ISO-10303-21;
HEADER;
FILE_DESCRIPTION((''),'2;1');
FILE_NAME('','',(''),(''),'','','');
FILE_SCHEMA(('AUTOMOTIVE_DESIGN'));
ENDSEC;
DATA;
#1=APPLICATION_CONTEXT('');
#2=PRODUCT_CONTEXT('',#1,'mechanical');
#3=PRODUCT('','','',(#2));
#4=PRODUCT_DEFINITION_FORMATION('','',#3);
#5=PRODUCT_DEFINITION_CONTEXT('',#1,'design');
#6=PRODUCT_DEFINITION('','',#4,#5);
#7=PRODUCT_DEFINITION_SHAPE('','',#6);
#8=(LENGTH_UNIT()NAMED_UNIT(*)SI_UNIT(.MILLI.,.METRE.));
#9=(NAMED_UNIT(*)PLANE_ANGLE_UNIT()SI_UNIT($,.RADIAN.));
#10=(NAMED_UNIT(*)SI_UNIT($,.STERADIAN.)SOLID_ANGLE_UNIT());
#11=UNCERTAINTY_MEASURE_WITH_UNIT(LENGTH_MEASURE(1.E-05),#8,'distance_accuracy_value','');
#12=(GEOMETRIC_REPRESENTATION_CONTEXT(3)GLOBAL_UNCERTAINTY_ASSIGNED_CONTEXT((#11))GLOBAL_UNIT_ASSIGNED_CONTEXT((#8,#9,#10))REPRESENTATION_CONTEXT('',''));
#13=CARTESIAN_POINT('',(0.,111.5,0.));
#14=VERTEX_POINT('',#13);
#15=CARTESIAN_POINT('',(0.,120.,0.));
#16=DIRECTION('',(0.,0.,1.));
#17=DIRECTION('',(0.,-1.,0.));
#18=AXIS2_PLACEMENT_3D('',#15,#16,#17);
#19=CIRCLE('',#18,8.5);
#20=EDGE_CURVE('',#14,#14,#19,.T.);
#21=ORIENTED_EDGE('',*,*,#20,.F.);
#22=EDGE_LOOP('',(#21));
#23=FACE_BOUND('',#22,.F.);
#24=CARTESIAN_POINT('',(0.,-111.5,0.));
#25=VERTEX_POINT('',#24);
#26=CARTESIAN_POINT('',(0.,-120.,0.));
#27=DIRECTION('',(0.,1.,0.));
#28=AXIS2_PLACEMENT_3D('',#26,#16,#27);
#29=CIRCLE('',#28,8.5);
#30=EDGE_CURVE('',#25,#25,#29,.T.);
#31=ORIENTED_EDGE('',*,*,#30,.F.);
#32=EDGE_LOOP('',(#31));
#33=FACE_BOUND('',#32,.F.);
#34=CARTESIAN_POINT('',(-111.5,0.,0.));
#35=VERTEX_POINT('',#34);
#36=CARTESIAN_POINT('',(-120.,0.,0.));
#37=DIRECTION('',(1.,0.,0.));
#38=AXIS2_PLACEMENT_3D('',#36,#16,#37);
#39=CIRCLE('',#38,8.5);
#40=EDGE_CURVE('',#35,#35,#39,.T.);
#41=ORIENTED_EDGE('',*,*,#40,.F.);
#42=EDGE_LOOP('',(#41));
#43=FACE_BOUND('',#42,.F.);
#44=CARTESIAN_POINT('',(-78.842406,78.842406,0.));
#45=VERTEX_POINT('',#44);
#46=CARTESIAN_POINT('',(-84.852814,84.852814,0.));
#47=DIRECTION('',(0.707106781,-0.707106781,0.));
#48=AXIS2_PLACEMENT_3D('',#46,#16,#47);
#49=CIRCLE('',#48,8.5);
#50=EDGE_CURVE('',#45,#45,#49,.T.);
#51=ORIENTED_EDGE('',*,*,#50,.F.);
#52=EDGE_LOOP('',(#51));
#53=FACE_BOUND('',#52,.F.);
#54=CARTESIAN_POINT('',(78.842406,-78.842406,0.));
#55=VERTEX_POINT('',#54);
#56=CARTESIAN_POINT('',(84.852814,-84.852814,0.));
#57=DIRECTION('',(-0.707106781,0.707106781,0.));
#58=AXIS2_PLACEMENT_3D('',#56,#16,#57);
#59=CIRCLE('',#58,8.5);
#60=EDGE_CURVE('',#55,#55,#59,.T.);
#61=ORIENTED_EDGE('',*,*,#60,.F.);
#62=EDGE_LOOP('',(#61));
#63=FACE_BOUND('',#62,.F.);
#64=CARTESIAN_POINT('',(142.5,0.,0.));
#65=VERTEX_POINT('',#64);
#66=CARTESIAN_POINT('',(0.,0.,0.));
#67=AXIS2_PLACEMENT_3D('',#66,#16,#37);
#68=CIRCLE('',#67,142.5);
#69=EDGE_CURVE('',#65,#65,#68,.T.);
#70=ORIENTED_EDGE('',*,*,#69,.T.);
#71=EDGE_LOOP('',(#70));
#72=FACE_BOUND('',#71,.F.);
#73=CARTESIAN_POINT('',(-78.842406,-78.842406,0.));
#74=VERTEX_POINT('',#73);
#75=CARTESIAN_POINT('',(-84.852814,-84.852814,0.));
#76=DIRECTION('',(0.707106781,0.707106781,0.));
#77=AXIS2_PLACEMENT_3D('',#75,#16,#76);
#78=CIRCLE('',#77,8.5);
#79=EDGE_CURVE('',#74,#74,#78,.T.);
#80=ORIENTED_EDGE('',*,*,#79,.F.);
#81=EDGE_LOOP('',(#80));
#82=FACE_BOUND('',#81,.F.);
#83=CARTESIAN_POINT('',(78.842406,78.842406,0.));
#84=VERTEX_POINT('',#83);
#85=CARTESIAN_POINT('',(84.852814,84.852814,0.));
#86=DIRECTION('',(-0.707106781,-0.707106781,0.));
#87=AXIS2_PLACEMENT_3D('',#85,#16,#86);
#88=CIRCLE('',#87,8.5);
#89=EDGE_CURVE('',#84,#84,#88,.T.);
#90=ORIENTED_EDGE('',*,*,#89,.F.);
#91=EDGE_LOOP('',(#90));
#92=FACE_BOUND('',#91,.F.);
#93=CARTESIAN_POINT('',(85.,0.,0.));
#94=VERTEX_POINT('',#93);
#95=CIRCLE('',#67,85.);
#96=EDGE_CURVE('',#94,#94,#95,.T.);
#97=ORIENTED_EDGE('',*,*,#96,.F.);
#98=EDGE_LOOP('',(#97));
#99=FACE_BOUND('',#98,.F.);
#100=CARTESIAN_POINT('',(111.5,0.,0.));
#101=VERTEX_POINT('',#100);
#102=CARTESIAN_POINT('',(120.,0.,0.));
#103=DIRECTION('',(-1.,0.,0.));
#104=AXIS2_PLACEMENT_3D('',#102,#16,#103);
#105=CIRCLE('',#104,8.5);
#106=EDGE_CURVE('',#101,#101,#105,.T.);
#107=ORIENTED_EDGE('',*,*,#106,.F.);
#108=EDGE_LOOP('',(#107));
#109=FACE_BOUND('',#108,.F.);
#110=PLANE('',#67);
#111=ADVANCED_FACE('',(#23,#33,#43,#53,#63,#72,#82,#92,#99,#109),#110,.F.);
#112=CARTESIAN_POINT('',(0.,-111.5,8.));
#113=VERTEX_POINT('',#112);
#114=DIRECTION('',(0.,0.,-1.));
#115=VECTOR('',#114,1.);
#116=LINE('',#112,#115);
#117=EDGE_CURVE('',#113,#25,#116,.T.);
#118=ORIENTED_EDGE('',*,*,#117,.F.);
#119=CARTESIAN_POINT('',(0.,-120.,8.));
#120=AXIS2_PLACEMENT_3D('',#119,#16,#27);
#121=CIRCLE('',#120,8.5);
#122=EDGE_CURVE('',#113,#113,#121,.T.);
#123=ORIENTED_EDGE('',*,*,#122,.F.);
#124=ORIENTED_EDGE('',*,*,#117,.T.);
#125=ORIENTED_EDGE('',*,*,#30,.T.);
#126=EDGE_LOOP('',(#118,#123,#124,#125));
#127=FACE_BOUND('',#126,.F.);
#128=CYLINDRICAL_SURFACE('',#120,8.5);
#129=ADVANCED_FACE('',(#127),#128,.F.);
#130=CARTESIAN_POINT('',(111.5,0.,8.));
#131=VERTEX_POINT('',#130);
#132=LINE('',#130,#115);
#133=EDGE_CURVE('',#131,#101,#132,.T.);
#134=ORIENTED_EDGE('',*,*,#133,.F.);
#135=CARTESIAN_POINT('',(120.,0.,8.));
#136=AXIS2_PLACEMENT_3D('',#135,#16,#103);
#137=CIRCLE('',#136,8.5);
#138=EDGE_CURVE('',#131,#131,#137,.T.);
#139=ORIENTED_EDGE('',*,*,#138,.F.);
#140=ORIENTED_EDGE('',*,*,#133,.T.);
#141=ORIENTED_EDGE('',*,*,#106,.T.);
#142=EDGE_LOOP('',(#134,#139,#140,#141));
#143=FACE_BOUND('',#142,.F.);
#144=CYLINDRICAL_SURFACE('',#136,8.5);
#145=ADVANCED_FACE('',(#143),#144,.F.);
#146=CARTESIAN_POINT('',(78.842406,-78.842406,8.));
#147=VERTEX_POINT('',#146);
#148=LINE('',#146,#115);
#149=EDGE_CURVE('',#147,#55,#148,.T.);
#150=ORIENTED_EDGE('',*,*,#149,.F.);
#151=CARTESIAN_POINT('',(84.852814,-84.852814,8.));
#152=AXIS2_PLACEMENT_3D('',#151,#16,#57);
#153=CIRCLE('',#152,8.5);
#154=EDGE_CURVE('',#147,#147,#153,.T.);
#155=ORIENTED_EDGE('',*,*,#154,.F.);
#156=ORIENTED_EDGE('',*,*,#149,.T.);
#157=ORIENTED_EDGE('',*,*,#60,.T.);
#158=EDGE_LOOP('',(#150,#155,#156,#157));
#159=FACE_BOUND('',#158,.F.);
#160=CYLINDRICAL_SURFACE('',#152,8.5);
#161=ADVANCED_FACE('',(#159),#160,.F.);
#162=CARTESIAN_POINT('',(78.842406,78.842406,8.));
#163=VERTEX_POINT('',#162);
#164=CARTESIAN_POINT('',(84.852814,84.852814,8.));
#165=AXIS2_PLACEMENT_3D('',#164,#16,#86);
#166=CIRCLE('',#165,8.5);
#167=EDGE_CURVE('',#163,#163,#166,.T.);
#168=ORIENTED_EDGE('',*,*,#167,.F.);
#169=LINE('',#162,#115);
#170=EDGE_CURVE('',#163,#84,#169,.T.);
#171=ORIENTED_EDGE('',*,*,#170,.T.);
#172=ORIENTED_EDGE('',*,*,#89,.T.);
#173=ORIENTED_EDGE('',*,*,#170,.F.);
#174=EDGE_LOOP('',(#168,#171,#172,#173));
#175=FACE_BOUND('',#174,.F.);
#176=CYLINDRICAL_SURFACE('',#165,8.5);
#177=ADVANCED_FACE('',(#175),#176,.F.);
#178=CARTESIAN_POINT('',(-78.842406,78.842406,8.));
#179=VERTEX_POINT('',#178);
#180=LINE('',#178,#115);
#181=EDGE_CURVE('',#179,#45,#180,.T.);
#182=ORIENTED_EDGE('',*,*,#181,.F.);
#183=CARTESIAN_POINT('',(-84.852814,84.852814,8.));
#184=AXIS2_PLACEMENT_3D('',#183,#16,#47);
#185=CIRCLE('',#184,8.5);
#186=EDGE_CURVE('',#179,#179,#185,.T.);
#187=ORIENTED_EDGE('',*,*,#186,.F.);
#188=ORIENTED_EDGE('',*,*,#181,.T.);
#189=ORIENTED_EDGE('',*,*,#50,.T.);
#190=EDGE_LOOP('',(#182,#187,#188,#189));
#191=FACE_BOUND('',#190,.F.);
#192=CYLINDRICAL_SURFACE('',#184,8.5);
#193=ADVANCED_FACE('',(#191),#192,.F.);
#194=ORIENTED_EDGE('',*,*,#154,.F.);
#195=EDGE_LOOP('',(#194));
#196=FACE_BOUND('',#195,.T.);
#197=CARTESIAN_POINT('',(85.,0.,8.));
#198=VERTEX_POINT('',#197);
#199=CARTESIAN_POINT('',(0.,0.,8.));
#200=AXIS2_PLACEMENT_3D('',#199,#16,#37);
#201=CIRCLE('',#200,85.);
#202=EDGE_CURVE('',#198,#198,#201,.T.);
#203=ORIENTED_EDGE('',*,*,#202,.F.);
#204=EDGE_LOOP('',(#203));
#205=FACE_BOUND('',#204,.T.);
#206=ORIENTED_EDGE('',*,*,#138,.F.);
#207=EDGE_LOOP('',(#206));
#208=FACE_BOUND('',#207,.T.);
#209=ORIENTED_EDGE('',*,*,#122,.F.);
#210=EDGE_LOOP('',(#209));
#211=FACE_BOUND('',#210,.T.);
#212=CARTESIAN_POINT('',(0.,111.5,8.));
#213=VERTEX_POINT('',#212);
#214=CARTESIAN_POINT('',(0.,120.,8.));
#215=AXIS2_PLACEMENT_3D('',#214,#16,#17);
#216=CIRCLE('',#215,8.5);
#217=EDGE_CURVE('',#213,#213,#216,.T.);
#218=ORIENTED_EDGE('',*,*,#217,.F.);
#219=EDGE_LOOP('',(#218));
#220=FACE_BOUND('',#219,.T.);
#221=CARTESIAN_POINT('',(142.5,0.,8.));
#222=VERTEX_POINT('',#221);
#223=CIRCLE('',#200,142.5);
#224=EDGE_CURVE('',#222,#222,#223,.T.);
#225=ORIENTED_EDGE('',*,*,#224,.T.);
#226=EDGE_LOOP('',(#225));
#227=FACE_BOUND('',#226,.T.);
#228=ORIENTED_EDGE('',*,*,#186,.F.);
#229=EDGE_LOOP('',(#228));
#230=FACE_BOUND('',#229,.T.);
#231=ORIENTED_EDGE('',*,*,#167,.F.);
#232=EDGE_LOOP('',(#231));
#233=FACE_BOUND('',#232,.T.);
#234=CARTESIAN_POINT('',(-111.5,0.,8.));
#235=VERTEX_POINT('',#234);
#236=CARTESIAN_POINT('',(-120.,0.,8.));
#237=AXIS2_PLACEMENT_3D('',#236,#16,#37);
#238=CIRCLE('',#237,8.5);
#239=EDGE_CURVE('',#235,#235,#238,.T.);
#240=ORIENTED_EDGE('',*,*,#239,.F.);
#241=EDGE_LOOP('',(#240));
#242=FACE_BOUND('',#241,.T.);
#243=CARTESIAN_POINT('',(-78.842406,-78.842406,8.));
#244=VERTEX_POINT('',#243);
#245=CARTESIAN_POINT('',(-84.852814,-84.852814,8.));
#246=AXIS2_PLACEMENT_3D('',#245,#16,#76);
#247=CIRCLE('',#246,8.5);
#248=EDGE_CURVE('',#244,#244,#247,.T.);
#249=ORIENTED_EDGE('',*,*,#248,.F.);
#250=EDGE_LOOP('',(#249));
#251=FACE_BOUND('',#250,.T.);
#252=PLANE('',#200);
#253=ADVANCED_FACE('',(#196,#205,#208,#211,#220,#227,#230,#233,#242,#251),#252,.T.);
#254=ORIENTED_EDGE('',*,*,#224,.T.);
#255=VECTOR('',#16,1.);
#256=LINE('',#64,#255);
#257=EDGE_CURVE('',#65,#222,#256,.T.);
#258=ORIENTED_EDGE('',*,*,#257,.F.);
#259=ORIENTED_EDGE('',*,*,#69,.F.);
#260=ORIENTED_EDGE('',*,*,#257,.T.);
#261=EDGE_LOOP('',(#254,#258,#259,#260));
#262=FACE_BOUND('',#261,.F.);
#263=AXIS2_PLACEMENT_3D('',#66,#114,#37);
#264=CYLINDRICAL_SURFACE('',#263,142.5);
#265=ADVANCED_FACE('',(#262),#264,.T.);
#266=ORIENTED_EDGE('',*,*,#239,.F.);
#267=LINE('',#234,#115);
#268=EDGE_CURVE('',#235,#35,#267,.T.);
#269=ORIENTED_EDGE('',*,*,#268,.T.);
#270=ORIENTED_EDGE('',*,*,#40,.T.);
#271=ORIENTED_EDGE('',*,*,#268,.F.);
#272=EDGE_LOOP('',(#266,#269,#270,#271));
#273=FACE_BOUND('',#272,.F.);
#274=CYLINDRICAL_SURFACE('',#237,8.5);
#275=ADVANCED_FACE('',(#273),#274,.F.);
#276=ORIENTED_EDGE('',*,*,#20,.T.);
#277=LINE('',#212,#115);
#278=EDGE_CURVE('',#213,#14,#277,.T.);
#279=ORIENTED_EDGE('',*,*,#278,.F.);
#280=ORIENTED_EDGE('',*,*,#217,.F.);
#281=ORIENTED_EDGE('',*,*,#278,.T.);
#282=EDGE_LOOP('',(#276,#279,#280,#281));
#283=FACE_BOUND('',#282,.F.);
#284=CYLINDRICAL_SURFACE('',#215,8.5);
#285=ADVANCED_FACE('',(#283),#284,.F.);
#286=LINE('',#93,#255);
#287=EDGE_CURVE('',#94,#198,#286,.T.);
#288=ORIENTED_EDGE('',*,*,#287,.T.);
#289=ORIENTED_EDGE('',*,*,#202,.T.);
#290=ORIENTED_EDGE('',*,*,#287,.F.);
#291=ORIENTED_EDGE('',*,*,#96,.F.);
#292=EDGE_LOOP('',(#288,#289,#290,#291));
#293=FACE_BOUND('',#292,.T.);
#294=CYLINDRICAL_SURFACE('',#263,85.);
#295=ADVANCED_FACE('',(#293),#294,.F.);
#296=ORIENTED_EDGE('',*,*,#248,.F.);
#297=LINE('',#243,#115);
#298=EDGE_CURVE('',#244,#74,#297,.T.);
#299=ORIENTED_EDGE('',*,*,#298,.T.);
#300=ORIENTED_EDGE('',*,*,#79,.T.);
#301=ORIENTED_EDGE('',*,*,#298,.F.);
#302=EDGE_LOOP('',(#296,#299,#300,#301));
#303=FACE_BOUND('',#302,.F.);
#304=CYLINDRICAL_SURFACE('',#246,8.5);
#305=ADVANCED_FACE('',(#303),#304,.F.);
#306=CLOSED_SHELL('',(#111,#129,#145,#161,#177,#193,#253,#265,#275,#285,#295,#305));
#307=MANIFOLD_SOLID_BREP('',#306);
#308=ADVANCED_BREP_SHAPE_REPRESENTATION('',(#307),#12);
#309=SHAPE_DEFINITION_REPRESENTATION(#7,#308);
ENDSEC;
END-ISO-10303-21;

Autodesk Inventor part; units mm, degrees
ref_plane "YZ Plane" through (0, 0, 0) normal (1, 0, 0) x (0, 1, 0)
ref_plane "XZ Plane" through (0, 0, 0) normal (0, 1, 0) x (-1, 0, 0)
ref_plane "XY Plane" through (0, 0, 0) normal (0, 0, 1) x (1, 0, 0)
sketch "Sketch2" plane through (0, 0, 0) normal (0, 0, 1) x (1, 0, 0)
  circle A0 centre (0, 0) radius 85
  circle A1 centre (0, 0) radius 142.5
  dimension "d25" = 170
  dimension "d27" = 285
extrude "Plate2" add sketch "Sketch2" along normal blind 8
sketch "Sketch3" plane through (0, 0, 8) normal (0, 0, 1) x (1, 0, 0)
  circle A0 centre (-120, 0) radius 8.5
  circle A1 centre (0, 0) radius 120 construction
  dimension "d28" = 240
  dimension "d15" = 17
extrude "Cut1" cut sketch "Sketch3" against normal blind 8
pattern_circular "Circular Pattern1" count 8 over 360 about axis through (0, 0, 0) along (0, 0, 1) of "Cut1"
equation "\"d17\" = Thickness"
equation "\"d14\" = Thickness"
equation "\"BendReliefWidth\" = Thickness"
equation "\"BendReliefDepth\" = 0.5 * Thickness"
equation "\"CornerReliefSize\" = 4 * Thickness"
equation "\"MinimumRemnant\" = 2 * Thickness"
equation "\"TransitionRadius\" = BendRadius"
equation "\"JacobiRadiusSize\" = BendRadius"
equation "\"GapSize\" = Thickness"
equation "\"Thickness\" = 8"
equation "\"BendRadius\" = 6"
properties part number "PNS-733 charging flange round" material "Steel"
